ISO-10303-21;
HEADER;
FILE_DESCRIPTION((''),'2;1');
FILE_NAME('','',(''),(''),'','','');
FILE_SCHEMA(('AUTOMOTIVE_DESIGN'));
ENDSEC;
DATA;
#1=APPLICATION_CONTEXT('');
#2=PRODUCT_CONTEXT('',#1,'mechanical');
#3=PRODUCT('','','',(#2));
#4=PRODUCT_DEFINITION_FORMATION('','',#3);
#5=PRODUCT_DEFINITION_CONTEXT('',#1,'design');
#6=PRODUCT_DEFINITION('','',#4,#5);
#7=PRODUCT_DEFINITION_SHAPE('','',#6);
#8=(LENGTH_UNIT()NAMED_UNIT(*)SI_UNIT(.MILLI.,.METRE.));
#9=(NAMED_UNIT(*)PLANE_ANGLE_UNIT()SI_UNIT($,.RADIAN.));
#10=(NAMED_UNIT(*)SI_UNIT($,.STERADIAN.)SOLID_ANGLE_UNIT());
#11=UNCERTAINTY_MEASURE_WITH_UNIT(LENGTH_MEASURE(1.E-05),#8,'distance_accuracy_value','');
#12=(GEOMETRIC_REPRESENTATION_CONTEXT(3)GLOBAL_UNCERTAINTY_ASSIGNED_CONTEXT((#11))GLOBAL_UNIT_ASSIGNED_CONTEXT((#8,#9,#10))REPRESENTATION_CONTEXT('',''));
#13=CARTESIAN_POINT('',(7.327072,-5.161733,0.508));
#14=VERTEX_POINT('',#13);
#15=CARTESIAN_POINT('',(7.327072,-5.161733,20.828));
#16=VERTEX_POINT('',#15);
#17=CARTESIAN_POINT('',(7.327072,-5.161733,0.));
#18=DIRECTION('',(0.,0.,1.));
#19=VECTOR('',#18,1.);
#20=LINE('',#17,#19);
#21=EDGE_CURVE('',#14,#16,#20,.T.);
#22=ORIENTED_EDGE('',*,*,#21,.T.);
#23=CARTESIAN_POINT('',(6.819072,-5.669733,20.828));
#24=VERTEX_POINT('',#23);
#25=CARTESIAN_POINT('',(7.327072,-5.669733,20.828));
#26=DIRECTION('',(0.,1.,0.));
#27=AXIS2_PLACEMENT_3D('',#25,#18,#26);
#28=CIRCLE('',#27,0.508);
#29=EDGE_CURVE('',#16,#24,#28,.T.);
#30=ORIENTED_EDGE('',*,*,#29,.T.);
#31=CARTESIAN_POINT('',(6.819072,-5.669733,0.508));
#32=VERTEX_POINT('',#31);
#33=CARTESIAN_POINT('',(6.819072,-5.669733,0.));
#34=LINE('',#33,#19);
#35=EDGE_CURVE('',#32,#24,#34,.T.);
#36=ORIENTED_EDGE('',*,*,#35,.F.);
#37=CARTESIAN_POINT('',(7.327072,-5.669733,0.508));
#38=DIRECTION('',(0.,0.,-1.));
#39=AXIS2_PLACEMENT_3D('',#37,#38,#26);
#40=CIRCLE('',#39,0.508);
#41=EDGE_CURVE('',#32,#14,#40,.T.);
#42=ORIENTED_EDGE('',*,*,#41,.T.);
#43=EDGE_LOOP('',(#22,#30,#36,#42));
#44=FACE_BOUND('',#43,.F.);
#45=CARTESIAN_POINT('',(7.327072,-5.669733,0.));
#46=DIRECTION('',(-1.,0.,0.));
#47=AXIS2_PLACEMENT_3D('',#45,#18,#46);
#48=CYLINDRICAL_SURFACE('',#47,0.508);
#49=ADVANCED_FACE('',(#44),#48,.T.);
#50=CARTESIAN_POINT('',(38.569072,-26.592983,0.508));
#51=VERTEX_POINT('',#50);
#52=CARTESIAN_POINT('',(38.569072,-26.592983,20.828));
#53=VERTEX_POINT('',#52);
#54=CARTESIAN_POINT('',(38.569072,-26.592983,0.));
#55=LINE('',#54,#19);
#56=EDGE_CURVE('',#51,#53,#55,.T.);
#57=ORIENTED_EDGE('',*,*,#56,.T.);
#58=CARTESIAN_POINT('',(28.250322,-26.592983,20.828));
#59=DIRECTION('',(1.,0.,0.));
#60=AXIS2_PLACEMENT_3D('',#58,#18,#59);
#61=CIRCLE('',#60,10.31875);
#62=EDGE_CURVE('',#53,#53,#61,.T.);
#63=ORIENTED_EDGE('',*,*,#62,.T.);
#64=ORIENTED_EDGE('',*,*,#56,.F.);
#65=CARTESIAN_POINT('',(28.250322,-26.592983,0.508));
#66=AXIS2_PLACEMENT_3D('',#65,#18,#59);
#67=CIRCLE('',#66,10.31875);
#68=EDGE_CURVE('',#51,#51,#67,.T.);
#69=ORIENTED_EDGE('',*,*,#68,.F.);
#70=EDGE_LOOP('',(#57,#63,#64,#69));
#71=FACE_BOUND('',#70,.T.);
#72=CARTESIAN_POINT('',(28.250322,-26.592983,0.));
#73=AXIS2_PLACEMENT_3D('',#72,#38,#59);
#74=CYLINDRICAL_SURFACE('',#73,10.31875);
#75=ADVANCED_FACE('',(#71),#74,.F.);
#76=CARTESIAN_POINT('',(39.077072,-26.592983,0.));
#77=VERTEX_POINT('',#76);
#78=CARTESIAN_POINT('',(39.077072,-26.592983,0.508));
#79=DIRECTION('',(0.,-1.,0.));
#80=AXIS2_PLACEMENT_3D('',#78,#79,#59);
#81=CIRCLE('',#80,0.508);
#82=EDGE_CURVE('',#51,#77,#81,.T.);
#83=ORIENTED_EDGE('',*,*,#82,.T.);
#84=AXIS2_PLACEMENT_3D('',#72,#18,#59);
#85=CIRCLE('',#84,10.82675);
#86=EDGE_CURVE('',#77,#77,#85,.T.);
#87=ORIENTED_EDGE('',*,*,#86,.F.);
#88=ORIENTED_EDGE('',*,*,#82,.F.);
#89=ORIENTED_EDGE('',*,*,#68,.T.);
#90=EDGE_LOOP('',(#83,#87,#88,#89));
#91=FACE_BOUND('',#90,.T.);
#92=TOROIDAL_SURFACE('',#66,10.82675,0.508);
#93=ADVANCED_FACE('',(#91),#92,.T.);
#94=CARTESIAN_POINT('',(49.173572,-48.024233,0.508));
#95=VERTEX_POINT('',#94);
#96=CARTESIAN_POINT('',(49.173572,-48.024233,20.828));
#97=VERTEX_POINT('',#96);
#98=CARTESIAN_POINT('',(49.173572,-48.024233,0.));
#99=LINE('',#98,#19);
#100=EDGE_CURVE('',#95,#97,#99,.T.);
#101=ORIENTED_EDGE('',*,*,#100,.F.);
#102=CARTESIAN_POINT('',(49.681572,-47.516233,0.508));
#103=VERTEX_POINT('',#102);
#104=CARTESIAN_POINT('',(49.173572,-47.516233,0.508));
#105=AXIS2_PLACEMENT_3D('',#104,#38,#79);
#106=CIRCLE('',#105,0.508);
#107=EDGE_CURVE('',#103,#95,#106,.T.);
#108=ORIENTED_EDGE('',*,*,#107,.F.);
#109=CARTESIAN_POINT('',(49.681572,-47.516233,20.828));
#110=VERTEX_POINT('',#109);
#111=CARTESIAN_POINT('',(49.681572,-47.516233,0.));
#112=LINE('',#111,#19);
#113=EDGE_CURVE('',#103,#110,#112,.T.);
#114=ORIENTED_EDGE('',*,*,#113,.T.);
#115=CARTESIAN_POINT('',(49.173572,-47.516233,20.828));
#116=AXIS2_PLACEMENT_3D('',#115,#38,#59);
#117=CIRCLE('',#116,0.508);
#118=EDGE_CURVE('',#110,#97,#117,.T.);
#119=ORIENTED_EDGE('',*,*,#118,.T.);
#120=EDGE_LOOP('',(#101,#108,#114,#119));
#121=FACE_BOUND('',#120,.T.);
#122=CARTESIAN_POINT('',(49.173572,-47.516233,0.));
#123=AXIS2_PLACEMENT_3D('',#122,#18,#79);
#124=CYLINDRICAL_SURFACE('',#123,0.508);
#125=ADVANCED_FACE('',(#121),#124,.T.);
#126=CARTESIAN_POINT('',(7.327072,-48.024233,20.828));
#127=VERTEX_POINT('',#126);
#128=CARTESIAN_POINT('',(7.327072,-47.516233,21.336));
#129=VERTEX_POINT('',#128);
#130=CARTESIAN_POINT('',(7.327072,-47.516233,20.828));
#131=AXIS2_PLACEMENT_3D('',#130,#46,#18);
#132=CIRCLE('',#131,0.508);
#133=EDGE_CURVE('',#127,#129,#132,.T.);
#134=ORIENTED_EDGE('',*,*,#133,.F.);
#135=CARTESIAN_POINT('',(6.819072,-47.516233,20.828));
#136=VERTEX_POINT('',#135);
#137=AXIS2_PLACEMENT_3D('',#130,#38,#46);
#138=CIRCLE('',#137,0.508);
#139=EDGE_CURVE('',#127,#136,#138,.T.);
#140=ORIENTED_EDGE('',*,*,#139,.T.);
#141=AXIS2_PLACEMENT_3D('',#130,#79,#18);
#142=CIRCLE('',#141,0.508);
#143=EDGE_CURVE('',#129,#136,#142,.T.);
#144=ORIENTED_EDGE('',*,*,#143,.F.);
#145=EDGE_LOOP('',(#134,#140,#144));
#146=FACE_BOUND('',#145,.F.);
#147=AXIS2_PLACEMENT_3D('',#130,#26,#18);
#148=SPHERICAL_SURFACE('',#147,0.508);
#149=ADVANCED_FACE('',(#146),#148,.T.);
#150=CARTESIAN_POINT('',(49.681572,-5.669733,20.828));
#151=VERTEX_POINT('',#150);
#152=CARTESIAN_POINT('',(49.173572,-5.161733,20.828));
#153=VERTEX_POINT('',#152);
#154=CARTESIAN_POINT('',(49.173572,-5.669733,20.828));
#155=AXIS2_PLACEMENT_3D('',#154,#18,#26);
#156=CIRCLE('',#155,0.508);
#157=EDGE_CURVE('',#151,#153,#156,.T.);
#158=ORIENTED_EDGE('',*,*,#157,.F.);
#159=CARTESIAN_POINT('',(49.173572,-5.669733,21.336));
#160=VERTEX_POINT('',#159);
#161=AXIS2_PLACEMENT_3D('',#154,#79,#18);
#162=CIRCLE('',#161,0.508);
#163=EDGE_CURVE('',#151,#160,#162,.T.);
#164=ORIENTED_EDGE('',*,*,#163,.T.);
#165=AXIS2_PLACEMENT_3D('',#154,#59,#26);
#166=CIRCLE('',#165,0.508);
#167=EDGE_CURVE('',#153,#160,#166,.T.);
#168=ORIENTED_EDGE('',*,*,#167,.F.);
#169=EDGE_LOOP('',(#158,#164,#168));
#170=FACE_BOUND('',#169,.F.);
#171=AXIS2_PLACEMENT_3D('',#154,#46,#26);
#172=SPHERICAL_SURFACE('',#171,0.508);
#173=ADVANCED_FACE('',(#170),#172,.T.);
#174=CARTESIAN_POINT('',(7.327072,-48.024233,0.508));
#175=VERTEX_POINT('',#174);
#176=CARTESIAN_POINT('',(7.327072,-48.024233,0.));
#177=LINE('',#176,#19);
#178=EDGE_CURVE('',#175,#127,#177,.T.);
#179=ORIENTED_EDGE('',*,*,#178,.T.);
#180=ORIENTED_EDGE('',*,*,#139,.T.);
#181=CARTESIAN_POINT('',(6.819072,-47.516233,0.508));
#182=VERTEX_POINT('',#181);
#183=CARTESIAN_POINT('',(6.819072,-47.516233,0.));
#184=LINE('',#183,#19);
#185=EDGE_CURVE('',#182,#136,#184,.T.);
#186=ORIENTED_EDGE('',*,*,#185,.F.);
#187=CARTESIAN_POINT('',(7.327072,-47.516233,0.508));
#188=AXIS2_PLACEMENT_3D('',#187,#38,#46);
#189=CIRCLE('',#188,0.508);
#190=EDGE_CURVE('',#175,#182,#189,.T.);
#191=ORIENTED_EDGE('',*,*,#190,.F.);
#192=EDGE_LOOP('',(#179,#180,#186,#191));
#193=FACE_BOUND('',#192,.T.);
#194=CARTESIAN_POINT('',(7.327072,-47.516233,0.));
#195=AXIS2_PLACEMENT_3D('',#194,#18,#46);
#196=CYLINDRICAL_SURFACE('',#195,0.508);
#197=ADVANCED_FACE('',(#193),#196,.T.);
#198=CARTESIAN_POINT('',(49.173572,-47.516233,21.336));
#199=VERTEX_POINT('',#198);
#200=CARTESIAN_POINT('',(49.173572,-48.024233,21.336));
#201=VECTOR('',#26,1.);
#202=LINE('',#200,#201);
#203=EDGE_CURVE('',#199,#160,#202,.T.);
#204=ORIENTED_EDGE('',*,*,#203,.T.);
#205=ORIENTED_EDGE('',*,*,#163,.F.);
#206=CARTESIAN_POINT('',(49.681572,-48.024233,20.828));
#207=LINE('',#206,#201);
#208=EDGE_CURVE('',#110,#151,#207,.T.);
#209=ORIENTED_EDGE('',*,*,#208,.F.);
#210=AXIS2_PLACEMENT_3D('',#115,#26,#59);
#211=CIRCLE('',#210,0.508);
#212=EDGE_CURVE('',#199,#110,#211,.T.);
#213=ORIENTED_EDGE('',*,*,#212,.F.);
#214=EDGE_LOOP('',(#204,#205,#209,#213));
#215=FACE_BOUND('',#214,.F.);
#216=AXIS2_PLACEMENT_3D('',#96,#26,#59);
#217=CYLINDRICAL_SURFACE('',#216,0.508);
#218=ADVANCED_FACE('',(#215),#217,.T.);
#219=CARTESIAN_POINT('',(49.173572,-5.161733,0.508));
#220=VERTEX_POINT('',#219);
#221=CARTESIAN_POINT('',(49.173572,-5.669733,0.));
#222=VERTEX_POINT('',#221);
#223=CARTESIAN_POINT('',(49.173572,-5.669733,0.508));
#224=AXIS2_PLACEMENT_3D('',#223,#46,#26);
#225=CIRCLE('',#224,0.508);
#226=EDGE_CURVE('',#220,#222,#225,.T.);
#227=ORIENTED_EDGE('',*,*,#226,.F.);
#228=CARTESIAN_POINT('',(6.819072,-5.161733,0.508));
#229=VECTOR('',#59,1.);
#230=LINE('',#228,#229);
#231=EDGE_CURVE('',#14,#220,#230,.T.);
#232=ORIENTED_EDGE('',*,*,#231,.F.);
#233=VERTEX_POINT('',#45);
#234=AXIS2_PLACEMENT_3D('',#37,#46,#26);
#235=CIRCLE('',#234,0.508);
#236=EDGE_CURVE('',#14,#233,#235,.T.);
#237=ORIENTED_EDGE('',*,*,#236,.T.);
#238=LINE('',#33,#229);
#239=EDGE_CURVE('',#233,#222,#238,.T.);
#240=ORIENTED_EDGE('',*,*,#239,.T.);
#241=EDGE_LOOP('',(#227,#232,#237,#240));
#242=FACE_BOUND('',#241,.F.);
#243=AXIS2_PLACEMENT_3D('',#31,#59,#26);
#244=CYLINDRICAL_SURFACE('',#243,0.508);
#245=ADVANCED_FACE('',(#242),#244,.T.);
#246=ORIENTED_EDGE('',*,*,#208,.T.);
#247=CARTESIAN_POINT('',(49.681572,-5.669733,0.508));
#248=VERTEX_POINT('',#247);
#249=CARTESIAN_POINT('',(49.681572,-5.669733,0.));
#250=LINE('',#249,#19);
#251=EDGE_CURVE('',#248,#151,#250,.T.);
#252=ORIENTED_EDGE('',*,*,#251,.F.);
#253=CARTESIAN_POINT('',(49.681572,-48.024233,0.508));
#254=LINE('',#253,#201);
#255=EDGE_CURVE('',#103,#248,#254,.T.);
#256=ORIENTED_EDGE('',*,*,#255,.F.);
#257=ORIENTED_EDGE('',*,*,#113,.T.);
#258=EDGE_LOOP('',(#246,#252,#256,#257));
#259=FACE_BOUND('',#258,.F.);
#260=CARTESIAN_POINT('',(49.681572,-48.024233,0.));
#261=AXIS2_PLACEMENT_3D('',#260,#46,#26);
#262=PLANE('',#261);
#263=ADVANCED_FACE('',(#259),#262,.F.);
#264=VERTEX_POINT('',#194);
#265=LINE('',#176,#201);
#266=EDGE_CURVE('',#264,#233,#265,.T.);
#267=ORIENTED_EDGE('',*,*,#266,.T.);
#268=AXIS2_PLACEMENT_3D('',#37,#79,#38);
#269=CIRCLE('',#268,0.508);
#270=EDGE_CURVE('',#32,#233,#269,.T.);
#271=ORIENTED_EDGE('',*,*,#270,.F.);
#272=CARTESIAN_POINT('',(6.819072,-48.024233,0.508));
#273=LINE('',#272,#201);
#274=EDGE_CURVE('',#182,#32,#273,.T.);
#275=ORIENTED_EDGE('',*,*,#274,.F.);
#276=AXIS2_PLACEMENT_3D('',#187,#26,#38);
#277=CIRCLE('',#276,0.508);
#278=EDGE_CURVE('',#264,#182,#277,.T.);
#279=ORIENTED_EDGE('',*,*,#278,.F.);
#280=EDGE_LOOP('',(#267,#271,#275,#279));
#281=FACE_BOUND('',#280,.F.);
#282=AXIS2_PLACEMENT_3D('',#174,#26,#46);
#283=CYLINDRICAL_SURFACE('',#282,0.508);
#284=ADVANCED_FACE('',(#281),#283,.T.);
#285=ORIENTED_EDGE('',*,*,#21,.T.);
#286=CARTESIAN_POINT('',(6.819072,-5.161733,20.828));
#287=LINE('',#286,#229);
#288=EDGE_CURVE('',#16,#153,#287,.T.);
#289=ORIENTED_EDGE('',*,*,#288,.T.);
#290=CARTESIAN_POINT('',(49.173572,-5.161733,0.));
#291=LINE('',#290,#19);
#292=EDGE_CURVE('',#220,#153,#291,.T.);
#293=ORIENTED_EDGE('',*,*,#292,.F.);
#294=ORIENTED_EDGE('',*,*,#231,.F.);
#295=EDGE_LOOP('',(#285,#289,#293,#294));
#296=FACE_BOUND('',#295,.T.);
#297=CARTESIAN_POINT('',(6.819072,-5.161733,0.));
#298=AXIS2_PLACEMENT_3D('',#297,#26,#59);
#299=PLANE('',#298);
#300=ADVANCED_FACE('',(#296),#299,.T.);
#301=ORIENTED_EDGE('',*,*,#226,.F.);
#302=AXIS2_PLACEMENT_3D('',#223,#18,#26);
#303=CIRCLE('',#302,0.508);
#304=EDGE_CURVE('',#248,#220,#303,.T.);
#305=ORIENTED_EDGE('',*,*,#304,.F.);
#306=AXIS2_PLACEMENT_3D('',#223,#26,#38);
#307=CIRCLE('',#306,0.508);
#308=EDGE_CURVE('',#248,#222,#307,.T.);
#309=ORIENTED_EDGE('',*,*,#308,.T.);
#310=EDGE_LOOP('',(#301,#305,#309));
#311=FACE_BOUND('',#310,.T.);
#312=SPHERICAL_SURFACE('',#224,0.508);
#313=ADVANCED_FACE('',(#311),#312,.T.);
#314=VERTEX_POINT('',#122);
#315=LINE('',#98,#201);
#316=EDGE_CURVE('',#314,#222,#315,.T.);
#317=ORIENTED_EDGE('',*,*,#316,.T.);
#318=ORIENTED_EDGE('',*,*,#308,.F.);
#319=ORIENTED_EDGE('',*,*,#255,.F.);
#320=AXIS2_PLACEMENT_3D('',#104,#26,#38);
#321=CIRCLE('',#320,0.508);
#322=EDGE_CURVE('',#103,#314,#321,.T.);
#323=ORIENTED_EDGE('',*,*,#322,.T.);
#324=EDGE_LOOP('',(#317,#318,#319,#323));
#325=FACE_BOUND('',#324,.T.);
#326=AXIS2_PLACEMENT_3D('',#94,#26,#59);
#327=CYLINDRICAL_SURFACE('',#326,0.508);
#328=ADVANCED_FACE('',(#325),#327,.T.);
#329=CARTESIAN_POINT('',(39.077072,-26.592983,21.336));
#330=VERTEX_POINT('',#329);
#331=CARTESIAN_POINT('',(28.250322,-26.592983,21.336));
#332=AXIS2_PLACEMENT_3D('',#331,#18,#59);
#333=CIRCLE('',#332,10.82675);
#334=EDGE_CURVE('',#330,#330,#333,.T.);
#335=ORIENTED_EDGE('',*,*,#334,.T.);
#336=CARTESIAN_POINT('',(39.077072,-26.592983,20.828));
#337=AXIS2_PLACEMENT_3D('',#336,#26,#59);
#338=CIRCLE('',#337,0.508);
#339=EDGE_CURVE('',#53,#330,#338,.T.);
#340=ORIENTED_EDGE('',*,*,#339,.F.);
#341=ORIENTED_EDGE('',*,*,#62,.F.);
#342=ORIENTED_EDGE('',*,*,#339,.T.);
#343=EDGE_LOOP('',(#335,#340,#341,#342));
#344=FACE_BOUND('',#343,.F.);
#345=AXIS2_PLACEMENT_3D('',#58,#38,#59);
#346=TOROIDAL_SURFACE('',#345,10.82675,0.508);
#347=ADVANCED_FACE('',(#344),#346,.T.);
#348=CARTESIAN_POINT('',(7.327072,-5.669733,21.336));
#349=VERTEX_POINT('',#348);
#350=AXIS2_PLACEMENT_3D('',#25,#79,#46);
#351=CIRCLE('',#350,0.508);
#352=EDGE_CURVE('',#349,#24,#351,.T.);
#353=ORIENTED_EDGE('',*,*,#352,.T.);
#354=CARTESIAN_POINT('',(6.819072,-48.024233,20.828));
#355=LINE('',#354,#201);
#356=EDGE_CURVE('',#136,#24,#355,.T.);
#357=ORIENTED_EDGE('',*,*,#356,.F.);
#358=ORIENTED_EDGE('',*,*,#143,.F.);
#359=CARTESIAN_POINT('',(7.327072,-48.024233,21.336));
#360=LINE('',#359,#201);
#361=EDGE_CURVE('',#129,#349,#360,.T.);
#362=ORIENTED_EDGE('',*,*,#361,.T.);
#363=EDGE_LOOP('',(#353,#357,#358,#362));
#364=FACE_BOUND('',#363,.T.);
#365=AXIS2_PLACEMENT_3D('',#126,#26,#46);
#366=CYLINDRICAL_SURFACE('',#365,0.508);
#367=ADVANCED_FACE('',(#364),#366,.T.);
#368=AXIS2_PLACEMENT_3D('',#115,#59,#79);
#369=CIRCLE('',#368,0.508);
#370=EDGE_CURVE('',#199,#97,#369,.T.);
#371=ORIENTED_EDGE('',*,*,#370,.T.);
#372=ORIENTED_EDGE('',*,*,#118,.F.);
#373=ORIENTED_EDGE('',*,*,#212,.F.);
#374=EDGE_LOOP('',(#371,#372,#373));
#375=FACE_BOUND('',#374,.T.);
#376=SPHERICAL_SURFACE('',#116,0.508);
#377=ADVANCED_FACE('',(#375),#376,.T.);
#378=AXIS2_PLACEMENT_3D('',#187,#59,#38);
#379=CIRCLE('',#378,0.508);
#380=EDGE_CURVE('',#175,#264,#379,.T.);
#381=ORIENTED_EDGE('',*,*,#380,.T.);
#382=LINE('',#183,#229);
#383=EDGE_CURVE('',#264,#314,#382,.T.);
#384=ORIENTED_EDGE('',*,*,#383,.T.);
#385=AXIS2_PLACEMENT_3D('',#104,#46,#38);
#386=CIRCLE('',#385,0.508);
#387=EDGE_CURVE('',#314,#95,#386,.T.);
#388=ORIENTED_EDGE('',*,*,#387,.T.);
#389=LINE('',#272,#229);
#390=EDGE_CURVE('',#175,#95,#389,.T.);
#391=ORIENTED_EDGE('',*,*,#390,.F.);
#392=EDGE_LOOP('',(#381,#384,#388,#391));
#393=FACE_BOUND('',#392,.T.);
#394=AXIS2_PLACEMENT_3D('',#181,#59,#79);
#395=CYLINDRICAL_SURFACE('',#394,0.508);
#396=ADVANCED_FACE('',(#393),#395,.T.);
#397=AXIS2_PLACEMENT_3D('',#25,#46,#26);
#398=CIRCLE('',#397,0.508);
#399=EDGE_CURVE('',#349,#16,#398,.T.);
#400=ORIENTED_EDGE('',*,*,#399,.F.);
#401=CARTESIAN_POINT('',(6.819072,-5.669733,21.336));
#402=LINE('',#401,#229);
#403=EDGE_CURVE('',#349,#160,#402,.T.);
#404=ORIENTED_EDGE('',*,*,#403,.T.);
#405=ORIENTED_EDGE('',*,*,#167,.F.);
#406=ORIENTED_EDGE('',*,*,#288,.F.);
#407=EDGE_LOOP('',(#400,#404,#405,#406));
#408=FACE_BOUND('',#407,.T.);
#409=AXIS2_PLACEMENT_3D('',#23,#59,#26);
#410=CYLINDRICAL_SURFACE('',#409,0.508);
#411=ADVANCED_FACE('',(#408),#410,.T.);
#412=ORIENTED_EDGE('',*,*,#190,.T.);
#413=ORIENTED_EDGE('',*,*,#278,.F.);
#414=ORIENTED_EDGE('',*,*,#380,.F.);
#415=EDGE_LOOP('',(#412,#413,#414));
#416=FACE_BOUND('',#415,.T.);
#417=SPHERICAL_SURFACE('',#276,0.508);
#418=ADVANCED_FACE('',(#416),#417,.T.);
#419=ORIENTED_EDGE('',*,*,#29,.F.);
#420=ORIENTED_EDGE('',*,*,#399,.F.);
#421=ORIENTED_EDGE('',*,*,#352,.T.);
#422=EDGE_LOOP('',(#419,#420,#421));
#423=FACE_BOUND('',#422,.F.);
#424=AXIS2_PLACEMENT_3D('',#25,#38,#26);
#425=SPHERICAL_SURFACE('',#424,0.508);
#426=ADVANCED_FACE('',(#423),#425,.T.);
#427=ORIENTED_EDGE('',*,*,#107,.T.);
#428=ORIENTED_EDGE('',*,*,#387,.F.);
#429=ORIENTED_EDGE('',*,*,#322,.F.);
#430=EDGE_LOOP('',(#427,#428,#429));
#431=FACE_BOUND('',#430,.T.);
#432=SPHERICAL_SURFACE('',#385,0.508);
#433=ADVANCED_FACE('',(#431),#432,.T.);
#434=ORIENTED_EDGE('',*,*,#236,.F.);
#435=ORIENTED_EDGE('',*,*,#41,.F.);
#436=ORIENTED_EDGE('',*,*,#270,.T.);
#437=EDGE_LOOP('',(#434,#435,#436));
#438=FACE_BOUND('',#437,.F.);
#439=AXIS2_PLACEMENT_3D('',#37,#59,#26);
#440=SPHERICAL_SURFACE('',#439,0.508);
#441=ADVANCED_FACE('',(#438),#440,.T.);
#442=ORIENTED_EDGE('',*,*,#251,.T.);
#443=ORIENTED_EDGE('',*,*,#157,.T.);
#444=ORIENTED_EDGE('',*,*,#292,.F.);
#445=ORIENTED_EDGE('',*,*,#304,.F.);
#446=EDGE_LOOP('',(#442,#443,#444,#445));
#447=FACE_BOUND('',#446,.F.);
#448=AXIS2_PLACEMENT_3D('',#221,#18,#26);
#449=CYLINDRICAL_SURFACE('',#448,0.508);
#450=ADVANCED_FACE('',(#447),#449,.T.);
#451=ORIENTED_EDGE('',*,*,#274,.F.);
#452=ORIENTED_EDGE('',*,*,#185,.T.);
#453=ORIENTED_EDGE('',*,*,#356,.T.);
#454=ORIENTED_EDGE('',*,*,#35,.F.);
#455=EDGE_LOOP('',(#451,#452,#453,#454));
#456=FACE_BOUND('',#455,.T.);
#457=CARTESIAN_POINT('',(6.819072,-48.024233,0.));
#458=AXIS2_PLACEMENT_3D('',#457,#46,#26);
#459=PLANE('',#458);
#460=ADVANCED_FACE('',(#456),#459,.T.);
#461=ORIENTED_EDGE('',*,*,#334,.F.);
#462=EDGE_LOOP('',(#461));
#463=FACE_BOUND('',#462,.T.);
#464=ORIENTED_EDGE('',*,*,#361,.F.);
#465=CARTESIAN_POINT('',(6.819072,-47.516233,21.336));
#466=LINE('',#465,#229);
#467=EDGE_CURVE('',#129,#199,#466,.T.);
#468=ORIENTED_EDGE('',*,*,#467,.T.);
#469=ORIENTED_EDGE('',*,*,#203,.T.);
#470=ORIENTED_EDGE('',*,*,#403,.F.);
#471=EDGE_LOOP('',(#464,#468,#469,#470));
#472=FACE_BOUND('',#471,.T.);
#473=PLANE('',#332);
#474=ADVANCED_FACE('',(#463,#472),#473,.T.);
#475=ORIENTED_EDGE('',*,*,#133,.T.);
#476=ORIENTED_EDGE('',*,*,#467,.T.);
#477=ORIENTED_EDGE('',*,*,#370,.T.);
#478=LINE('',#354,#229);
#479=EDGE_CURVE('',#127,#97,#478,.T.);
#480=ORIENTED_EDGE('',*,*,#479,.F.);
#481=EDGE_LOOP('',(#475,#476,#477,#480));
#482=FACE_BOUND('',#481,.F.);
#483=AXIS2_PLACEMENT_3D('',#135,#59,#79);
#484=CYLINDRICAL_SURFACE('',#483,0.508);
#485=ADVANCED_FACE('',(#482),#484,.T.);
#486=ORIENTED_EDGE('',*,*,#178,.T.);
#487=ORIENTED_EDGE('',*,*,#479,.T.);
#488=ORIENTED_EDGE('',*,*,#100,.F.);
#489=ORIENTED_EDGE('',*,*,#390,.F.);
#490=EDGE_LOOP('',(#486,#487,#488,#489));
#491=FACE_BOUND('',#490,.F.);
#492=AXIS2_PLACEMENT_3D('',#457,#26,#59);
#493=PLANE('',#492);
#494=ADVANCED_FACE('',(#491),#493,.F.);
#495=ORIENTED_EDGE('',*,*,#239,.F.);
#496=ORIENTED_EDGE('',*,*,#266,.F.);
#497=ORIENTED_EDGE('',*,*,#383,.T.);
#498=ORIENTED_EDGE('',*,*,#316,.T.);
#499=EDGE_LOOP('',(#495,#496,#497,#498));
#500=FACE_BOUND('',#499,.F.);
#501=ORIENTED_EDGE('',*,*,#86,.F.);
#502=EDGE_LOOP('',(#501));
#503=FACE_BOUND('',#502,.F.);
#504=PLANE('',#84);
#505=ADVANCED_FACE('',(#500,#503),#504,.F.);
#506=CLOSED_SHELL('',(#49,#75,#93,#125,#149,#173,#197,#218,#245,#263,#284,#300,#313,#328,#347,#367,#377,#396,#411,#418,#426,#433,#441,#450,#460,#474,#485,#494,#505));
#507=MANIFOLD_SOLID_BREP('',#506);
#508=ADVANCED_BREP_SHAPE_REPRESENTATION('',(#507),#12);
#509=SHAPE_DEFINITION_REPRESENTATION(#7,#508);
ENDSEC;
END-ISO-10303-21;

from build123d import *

# Parameters (mm, degrees)
F0_W     = 42.8625
F0_H     = 42.8625
F0_R     = 10.31875
F1_DEPTH = 21.336
F2_R     = 0.508


with BuildPart() as f1:
    # F0 (on Top) → F1 (new body)
    with BuildSketch(Plane.XY):
        with Locations((28.250322, -26.592983)):
            Rectangle(F0_W, F0_H)
        with Locations((28.250322, -26.592983)):
            Circle(F0_R, mode=Mode.SUBTRACT)
    extrude(amount=F1_DEPTH)

    # F2
    f2_edges = [f1.edges().sort_by_distance(p)[0] for p in [
        (28.250322, -5.161733, 0),
        (6.819072, -5.161733, 10.668),
        (28.250322, -5.161733, 21.336),
        (49.681572, -5.161733, 10.668),
        (6.819072, -26.592983, 0),
        (28.250322, -48.024233, 0),
        (49.681572, -26.592983, 0),
        (17.931572, -26.592983, 0),
        (49.681572, -48.024233, 10.668),
        (49.681572, -26.592983, 21.336),
        (6.819072, -26.592983, 21.336),
        (28.250322, -48.024233, 21.336),
        (17.931572, -26.592983, 21.336),
        (6.819072, -48.024233, 10.668),
    ]]
    fillet(f2_edges, radius=F2_R)


solid = f1.part
